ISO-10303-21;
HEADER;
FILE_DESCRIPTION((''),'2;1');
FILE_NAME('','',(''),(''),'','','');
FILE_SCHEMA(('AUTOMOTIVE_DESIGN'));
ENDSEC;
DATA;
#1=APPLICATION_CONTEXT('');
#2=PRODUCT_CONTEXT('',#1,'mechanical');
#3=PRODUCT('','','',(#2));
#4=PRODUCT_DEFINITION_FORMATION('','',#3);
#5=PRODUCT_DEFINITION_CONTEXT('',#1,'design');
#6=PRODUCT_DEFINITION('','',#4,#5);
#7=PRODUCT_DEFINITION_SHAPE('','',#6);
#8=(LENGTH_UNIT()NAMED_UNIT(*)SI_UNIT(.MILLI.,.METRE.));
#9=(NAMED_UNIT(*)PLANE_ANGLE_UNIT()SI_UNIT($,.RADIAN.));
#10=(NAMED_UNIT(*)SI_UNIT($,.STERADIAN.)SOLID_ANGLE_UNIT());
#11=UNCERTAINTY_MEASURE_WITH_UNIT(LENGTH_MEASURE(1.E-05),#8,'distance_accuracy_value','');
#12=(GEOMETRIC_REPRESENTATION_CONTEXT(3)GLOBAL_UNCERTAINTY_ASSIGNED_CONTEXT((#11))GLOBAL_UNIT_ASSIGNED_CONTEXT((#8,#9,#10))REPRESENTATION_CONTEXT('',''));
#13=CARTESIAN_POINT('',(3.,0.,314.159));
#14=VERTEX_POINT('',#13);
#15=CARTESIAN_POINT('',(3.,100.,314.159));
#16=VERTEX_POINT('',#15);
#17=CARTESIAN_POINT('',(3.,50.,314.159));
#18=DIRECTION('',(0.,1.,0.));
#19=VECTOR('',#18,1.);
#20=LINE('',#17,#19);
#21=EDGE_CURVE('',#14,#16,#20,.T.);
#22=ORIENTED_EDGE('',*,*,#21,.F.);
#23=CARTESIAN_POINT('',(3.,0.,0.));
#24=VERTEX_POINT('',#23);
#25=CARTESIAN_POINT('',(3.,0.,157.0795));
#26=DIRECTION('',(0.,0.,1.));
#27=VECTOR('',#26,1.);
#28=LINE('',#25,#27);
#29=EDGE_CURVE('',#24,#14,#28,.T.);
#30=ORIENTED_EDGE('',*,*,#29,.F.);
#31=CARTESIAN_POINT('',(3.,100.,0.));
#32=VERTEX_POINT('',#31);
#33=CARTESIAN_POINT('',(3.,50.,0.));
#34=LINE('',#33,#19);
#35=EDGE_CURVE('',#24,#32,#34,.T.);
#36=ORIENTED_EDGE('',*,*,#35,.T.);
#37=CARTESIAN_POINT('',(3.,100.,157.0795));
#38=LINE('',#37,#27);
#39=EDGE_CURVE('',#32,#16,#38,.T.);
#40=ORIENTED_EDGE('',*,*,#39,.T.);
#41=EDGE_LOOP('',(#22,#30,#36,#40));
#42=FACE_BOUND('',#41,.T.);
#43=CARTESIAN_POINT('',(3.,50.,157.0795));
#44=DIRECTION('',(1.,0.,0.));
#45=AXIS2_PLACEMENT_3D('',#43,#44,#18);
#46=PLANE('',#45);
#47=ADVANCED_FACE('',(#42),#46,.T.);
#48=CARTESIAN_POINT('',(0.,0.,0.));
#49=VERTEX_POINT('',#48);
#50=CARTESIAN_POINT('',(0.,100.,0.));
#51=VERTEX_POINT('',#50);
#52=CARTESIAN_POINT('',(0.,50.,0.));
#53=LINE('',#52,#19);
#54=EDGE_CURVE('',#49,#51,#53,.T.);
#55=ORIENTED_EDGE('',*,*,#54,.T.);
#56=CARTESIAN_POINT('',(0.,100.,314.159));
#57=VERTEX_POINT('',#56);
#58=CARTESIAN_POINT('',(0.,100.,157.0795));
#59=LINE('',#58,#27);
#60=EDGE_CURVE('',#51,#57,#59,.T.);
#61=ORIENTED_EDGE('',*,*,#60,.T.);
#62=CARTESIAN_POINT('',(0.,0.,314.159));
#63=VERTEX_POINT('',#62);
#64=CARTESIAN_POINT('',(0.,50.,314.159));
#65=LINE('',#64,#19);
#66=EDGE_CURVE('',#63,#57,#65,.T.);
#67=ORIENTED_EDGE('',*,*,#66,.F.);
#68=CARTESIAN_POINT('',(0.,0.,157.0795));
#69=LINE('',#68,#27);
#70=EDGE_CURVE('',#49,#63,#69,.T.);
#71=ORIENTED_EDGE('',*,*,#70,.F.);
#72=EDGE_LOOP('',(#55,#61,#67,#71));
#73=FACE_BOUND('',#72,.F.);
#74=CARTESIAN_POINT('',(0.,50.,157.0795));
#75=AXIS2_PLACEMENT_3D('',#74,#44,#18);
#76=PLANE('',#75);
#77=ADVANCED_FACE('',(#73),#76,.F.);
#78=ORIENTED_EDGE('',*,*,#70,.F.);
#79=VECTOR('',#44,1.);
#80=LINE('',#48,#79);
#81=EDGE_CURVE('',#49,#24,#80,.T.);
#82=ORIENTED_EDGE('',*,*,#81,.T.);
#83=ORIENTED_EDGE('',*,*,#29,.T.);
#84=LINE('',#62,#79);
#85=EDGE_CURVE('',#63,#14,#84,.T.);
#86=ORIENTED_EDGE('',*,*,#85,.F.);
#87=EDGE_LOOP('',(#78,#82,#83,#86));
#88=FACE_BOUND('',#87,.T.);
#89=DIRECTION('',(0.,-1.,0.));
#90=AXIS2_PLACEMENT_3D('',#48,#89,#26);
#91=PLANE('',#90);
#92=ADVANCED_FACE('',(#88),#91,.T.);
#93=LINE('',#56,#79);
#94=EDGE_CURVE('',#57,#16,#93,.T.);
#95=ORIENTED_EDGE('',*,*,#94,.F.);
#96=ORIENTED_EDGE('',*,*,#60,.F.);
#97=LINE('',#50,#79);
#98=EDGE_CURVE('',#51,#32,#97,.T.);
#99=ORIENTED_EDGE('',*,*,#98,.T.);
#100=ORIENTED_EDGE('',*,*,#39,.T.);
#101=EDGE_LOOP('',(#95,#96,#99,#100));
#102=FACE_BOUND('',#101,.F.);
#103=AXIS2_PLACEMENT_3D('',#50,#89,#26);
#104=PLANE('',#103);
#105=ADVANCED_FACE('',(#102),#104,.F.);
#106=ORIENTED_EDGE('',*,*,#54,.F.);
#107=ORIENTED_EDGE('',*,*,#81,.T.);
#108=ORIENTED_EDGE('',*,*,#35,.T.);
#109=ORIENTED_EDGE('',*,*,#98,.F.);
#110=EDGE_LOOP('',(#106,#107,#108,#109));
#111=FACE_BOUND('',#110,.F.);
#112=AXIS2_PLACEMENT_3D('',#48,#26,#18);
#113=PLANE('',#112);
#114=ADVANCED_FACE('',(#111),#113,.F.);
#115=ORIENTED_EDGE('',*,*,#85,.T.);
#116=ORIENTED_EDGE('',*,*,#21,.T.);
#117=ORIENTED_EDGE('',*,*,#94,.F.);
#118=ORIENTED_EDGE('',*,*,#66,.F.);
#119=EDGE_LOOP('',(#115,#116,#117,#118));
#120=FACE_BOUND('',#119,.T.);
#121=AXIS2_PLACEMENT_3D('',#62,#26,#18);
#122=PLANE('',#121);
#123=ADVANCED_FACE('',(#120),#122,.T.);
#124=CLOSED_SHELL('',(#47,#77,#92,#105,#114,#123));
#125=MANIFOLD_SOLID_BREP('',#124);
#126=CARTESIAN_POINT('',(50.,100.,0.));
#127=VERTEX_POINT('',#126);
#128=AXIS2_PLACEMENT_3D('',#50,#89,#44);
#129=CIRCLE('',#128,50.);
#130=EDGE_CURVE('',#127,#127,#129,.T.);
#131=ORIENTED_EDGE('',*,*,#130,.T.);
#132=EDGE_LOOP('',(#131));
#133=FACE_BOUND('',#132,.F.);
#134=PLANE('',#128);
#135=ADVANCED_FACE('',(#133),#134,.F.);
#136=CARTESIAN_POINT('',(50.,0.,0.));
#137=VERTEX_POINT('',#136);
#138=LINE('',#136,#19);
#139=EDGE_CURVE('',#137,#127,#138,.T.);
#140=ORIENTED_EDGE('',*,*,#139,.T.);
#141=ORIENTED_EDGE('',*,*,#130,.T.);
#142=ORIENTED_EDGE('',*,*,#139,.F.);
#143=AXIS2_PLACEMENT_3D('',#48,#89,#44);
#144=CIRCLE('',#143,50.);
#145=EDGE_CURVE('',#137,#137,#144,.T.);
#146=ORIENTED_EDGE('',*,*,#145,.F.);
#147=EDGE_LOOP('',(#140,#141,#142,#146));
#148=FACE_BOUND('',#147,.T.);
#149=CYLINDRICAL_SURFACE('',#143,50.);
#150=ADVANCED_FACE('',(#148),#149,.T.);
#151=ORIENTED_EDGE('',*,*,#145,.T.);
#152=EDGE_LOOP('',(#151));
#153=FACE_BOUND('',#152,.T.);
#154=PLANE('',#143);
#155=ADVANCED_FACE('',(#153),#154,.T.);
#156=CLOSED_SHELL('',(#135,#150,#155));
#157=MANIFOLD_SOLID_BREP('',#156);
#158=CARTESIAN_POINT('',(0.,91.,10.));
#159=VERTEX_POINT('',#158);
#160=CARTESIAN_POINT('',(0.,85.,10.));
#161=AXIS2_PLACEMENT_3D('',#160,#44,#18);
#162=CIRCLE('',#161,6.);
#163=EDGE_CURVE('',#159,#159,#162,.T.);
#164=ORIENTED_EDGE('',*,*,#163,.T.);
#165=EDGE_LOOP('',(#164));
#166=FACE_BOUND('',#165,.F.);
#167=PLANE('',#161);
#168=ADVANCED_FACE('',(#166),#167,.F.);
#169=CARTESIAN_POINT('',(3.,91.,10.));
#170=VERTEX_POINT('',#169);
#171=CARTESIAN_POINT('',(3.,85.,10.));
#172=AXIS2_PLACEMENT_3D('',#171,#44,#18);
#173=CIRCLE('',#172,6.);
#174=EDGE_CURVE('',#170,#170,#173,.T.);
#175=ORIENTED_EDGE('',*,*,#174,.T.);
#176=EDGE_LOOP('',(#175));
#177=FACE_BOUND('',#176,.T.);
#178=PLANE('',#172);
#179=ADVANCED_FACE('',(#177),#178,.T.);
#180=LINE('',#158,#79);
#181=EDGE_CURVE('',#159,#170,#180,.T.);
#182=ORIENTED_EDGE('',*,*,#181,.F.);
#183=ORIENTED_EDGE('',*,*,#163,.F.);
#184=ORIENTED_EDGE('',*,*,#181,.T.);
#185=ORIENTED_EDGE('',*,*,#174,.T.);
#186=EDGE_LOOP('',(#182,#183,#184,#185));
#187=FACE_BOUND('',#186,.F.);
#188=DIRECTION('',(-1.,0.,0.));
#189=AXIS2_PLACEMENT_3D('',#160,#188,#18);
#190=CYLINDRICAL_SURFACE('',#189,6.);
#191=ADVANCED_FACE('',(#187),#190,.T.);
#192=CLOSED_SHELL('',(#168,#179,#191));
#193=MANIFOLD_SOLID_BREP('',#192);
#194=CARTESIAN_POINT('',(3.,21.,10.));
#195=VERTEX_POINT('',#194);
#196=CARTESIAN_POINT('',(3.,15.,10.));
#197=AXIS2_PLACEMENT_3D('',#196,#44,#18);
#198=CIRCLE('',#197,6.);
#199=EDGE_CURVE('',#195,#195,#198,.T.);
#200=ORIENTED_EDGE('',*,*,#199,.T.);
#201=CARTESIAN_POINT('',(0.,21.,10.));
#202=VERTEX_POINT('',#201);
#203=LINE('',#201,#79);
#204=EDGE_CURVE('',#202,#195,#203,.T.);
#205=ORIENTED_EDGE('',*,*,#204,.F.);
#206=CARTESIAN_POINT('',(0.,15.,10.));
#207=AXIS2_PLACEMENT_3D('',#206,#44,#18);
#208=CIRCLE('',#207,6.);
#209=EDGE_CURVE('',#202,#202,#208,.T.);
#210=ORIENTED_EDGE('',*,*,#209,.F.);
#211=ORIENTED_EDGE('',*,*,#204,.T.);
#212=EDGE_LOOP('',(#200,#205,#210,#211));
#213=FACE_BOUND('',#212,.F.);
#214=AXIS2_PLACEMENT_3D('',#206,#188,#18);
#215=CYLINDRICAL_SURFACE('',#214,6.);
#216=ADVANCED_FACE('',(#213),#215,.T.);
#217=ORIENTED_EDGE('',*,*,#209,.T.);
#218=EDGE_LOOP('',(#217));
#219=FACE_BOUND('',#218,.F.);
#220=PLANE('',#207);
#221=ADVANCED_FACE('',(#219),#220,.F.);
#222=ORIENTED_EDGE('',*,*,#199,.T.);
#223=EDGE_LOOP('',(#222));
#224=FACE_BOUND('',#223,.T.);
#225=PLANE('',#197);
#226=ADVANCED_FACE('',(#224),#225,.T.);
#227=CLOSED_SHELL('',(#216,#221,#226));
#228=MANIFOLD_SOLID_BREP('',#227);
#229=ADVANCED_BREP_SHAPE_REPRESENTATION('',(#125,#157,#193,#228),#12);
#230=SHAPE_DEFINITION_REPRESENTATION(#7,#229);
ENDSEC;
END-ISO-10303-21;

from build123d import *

# Parameters (mm, degrees)
F0_R     = 50
F2_DEPTH = 100
F1_W     = 100
F1_H     = 314.159
F3_DEPTH = 3
F4_R     = 6
F5_DEPTH = 3


with BuildPart() as f2:
    # F0 (on Front) → F2 (new body)
    with BuildSketch(Plane.XZ):
        Circle(F0_R)
    extrude(amount=-F2_DEPTH)


with BuildPart() as f3:
    # F1 (on Right) → F3 (new body)
    with BuildSketch(Plane.YZ):
        with Locations((50, 157.0795)):
            Rectangle(F1_W, F1_H)
    extrude(amount=F3_DEPTH)


with BuildPart() as f5:
    # F4 (on face) → F5 (new body)
    with BuildSketch(Plane.YZ):
        with Locations((85, 10)):
            Circle(F4_R)
        with Locations((15, 10)):
            Circle(F4_R)
    extrude(amount=F5_DEPTH)


solid = Compound([f2.part, f3.part, f5.part])
